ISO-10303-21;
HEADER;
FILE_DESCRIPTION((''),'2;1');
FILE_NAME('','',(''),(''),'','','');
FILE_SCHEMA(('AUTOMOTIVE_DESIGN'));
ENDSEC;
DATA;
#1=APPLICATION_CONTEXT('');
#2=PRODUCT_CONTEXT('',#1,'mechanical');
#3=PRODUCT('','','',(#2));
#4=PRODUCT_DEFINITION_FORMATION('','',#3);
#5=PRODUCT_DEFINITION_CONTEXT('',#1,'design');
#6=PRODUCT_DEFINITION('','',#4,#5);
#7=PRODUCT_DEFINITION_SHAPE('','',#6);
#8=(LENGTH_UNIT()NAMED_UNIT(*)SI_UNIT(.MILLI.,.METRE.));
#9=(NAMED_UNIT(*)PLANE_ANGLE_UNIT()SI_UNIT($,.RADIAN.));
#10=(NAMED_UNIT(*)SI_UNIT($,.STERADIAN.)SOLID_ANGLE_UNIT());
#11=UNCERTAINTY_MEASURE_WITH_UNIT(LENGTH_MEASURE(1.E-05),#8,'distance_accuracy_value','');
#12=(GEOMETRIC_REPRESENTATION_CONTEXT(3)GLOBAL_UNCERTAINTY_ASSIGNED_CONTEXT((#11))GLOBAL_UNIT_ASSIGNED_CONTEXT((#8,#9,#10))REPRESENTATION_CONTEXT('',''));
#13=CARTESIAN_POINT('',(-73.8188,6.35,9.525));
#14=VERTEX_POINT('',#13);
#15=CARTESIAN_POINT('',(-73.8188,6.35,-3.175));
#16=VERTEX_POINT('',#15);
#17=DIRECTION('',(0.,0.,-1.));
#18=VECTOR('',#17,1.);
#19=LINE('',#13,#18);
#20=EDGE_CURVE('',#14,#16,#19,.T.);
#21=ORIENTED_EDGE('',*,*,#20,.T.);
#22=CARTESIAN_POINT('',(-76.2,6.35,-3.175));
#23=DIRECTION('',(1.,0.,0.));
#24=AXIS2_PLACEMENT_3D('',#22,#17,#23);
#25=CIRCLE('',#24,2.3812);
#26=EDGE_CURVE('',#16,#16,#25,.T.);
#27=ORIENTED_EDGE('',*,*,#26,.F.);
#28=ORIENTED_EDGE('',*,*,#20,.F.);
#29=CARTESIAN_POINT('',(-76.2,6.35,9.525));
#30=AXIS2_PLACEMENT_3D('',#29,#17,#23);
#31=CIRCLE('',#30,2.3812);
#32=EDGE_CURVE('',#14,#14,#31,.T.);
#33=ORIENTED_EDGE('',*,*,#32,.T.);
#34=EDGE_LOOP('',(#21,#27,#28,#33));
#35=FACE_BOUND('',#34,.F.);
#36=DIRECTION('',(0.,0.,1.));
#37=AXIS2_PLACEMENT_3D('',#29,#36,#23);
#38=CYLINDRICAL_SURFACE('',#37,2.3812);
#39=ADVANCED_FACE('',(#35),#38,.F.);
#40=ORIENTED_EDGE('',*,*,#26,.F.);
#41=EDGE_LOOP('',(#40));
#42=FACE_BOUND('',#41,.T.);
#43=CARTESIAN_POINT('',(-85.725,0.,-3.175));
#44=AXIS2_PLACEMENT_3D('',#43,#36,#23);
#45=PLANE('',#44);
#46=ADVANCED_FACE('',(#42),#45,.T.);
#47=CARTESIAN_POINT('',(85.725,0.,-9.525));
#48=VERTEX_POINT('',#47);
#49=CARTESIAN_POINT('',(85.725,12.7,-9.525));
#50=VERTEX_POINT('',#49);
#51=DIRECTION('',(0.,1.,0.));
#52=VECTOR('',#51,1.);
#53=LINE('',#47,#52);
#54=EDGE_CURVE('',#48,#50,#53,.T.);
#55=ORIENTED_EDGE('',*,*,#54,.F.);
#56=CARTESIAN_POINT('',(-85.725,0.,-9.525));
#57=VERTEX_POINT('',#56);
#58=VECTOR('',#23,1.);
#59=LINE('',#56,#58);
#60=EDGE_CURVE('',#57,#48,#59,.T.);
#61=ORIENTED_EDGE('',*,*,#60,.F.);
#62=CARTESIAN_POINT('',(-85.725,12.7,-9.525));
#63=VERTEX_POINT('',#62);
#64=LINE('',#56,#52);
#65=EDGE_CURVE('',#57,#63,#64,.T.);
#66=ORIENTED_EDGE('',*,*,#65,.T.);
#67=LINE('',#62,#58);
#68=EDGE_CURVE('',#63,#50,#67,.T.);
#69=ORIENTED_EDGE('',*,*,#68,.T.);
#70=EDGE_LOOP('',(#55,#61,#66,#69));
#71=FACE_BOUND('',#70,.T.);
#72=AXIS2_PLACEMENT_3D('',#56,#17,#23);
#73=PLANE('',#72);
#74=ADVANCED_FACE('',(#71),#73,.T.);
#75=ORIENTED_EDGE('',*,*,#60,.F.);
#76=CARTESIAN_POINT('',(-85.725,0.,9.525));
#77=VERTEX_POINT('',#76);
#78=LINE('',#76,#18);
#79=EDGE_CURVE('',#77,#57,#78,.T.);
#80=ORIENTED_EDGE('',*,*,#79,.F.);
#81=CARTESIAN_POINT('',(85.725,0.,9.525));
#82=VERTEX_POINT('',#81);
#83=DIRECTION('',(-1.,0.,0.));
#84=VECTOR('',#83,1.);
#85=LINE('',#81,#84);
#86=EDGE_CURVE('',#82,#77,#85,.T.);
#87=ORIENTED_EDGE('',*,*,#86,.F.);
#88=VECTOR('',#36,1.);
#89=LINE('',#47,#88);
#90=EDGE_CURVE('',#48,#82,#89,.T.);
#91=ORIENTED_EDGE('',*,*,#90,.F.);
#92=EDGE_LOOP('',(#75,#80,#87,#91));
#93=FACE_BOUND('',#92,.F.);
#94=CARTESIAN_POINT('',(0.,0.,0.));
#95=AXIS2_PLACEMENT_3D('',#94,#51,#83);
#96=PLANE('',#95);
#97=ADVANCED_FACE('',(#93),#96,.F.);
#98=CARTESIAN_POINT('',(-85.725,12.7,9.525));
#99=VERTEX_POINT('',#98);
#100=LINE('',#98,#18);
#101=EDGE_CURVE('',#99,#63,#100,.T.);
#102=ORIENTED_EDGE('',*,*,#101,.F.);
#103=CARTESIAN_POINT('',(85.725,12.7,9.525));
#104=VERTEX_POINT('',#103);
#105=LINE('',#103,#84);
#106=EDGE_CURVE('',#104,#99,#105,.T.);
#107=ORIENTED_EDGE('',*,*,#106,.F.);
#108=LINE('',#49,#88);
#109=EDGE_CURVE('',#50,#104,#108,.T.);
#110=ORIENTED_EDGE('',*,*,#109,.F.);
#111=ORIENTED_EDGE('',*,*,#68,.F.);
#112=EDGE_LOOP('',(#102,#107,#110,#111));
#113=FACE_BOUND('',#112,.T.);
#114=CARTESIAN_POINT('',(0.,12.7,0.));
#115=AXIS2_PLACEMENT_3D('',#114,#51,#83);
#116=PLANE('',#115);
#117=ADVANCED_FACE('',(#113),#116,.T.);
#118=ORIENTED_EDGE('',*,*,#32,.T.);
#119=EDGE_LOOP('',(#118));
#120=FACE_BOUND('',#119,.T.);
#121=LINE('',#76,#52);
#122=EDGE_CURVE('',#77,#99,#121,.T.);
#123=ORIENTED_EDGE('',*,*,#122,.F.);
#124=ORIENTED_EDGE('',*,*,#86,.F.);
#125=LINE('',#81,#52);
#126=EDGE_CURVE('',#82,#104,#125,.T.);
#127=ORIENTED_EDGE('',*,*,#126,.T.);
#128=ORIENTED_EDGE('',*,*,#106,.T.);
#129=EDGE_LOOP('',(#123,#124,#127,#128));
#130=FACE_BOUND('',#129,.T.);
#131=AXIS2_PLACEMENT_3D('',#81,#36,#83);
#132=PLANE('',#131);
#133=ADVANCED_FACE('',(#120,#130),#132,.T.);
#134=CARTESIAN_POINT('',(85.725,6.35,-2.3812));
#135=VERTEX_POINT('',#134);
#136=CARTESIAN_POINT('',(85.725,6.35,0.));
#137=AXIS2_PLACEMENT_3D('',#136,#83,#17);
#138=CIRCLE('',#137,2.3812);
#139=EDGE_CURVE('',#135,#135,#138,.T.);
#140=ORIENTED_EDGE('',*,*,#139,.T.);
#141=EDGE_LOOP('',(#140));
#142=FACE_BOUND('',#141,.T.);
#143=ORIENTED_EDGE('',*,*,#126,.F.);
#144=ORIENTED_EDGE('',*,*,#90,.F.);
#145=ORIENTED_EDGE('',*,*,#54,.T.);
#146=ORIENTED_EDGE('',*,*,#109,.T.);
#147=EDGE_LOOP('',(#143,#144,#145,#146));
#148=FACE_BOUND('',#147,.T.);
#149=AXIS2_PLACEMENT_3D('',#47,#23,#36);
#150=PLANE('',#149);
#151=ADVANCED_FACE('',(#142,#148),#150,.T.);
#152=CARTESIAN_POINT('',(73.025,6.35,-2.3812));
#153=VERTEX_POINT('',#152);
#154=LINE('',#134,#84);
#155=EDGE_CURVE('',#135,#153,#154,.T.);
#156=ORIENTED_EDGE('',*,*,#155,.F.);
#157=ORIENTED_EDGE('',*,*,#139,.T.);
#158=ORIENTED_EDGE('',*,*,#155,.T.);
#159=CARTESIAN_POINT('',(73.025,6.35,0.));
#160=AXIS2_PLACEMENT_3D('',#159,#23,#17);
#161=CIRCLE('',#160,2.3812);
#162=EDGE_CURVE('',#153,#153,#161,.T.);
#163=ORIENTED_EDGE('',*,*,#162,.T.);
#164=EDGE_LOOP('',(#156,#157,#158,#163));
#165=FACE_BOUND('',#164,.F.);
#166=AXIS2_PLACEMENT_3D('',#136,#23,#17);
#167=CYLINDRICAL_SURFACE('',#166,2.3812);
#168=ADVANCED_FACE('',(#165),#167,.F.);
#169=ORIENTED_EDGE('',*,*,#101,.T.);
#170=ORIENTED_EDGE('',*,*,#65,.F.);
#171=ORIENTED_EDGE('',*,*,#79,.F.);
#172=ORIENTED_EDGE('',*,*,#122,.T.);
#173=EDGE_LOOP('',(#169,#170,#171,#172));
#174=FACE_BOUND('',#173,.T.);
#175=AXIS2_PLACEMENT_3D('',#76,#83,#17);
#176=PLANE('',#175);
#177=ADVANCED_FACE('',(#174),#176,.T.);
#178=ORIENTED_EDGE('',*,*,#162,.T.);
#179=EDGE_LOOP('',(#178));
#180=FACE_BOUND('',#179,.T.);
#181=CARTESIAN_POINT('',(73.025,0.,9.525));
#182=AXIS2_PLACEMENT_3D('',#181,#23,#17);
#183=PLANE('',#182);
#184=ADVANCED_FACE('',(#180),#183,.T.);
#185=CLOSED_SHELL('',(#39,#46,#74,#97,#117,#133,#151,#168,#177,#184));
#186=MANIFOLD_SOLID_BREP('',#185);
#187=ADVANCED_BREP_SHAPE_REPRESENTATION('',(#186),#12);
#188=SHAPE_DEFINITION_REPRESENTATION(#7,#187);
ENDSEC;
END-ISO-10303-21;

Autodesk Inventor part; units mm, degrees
ref_plane "YZ Plane" through (0, 0, 0) normal (1, 0, 0) x (0, 1, 0)
ref_plane "XZ Plane" through (0, 0, 0) normal (0, 1, 0) x (-1, 0, 0)
ref_plane "XY Plane" through (0, 0, 0) normal (0, 0, 1) x (1, 0, 0)
sketch "Sketch1" plane through (0, 0, 0) normal (0, 1, 0) x (-1, 0, 0)
  line L0 (-85.725, 9.525) -> (85.725, 9.525)
  line L1 (85.725, 9.525) -> (85.725, -9.525)
  line L2 (85.725, -9.525) -> (-85.725, -9.525)
  line L3 (-85.725, -9.525) -> (-85.725, 9.525)
  line L4 (-85.725, 9.525) -> (85.725, -9.525) construction
  line L5 (85.725, 9.525) -> (-85.725, -9.525) construction
  point P0 (0, 0)
  dimension "d0" = 171.45
  dimension "d1" = 19.05
extrude "Extrusion1" add sketch "Sketch1" along normal blind 12.7
sketch "Sketch2" plane through (85.725, 0, 9.525) normal (1, 0, 0) x (0, 0, -1)
  line L0 (0, 0) -> (0, 12.7) projected
  line L1 (0, 6.35) -> (19.05, 6.35)
  line L2 (19.05, 0) -> (19.05, 12.7) projected
  circle A0 centre (9.525, 6.35) radius 2.3812
  point P0 (9.525, 0)
  dimension "d4" = 4.7625
extrude "Extrusion2" cut sketch "Sketch2" against normal blind 12.7
sketch "Sketch3" plane through (-85.725, 0, 9.525) normal (0, 0, 1) x (1, 0, 0)
  line L0 (0, 0) -> (0, 12.7) projected
  line L1 (0, 6.35) -> (9.525, 6.35)
  circle A0 centre (9.525, 6.35) radius 2.3812
  point P0 (85.725, 0)
  dimension "d7" = 9.525
  dimension "d8" = 4.7625
extrude "Extrusion3" cut sketch "Sketch3" against normal blind 12.7
properties part number "shootFrame" material "Wood (Birch)"
